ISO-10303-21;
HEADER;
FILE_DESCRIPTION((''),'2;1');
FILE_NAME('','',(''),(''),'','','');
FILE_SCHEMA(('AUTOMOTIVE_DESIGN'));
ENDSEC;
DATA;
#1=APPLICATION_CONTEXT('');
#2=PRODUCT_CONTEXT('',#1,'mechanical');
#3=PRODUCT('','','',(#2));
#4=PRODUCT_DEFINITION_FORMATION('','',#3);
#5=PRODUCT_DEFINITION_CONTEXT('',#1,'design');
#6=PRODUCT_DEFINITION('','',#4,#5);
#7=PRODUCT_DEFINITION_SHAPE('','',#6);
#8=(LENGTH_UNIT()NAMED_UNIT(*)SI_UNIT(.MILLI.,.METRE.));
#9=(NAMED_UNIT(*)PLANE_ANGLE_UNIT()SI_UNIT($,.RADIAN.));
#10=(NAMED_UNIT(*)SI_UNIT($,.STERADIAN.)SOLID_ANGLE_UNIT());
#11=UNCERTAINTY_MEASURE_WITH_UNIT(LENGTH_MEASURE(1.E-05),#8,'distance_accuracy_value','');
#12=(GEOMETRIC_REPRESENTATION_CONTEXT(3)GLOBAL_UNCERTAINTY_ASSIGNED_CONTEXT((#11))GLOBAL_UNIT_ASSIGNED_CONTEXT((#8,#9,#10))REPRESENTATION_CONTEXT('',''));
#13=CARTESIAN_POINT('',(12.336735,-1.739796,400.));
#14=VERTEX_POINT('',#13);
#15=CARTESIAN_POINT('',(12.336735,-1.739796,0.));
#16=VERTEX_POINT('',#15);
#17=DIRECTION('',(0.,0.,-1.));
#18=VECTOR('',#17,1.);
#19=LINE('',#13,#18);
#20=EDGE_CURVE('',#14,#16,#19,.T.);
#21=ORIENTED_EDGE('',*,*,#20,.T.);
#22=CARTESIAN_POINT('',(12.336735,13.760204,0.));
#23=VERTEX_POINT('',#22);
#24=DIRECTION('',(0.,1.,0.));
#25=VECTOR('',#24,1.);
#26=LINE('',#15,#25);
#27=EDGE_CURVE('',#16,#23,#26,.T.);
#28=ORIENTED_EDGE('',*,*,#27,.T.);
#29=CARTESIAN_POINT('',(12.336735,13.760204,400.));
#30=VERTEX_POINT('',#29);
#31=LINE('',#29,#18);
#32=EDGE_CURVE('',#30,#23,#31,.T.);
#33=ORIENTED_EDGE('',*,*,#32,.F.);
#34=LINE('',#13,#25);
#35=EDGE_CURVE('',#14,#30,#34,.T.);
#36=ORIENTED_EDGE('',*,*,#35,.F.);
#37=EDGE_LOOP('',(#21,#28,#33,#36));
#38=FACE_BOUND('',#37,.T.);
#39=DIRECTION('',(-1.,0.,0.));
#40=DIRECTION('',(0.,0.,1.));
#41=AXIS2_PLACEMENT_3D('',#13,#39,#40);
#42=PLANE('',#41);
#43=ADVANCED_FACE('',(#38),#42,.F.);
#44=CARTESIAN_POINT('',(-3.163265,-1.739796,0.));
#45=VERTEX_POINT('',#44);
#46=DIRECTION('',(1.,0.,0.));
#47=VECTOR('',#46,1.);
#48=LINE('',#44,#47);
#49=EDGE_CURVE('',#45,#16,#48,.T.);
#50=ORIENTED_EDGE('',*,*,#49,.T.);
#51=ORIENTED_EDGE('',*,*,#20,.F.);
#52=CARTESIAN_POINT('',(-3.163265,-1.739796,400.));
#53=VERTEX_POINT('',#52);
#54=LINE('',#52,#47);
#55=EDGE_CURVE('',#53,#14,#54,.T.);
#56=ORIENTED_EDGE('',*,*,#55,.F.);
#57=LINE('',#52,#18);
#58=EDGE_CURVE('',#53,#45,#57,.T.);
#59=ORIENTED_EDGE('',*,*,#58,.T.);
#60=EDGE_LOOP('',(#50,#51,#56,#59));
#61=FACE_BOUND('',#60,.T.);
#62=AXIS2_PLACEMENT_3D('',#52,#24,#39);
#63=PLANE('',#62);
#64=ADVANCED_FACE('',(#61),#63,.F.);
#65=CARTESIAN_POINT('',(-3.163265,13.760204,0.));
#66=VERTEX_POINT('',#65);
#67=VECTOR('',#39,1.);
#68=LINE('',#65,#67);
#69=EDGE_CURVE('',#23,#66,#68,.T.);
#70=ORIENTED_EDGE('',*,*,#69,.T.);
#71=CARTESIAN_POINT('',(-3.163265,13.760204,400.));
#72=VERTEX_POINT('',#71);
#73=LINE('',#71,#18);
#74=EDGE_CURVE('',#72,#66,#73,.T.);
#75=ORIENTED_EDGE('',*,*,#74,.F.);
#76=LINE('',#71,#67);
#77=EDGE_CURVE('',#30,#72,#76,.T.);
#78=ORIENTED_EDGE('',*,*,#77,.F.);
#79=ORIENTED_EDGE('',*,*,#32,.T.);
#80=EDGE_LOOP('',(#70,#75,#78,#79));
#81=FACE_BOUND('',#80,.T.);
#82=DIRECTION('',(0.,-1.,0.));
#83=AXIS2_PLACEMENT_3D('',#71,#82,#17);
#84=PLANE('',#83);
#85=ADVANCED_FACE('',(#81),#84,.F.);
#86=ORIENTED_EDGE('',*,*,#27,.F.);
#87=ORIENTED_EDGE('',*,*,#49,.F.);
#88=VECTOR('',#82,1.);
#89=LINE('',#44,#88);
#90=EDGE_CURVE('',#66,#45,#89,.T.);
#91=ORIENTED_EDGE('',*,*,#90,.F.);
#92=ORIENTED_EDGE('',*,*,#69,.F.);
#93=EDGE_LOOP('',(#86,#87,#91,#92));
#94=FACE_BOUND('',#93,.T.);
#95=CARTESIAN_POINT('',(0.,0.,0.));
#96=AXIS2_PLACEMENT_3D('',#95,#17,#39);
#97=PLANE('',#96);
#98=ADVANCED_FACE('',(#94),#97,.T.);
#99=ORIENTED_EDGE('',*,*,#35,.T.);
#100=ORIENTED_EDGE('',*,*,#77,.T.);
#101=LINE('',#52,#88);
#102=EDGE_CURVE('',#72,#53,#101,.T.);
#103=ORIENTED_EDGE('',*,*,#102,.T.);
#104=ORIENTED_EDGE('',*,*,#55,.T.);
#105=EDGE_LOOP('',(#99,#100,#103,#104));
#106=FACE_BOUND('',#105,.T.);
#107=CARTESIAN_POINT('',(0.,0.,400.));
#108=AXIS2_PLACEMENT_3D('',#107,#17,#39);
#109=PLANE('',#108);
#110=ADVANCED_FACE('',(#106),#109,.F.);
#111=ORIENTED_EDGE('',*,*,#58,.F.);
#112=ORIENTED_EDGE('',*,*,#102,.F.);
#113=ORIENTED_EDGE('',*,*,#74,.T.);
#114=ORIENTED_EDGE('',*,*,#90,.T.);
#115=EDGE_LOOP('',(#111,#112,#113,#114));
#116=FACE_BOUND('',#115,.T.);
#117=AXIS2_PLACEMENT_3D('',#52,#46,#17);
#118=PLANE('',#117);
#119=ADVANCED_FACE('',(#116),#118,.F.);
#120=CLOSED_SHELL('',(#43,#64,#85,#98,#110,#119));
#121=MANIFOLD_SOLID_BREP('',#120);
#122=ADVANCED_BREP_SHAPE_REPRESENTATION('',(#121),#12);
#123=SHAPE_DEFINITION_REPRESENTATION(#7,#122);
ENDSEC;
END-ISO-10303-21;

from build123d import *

# Parameters (mm, degrees)
SKETCH_1_W      = 15.5
SKETCH_1_H      = 15.5
EXTRUDE_1_DEPTH = 400


with BuildPart() as part:
    # 草图1 → 凸台-拉伸1 (new body)
    with BuildSketch(Plane.XY):
        with Locations((4.586734694, 6.010204082)):
            Rectangle(SKETCH_1_W, SKETCH_1_H)
    extrude(amount=EXTRUDE_1_DEPTH)


solid = part.part
